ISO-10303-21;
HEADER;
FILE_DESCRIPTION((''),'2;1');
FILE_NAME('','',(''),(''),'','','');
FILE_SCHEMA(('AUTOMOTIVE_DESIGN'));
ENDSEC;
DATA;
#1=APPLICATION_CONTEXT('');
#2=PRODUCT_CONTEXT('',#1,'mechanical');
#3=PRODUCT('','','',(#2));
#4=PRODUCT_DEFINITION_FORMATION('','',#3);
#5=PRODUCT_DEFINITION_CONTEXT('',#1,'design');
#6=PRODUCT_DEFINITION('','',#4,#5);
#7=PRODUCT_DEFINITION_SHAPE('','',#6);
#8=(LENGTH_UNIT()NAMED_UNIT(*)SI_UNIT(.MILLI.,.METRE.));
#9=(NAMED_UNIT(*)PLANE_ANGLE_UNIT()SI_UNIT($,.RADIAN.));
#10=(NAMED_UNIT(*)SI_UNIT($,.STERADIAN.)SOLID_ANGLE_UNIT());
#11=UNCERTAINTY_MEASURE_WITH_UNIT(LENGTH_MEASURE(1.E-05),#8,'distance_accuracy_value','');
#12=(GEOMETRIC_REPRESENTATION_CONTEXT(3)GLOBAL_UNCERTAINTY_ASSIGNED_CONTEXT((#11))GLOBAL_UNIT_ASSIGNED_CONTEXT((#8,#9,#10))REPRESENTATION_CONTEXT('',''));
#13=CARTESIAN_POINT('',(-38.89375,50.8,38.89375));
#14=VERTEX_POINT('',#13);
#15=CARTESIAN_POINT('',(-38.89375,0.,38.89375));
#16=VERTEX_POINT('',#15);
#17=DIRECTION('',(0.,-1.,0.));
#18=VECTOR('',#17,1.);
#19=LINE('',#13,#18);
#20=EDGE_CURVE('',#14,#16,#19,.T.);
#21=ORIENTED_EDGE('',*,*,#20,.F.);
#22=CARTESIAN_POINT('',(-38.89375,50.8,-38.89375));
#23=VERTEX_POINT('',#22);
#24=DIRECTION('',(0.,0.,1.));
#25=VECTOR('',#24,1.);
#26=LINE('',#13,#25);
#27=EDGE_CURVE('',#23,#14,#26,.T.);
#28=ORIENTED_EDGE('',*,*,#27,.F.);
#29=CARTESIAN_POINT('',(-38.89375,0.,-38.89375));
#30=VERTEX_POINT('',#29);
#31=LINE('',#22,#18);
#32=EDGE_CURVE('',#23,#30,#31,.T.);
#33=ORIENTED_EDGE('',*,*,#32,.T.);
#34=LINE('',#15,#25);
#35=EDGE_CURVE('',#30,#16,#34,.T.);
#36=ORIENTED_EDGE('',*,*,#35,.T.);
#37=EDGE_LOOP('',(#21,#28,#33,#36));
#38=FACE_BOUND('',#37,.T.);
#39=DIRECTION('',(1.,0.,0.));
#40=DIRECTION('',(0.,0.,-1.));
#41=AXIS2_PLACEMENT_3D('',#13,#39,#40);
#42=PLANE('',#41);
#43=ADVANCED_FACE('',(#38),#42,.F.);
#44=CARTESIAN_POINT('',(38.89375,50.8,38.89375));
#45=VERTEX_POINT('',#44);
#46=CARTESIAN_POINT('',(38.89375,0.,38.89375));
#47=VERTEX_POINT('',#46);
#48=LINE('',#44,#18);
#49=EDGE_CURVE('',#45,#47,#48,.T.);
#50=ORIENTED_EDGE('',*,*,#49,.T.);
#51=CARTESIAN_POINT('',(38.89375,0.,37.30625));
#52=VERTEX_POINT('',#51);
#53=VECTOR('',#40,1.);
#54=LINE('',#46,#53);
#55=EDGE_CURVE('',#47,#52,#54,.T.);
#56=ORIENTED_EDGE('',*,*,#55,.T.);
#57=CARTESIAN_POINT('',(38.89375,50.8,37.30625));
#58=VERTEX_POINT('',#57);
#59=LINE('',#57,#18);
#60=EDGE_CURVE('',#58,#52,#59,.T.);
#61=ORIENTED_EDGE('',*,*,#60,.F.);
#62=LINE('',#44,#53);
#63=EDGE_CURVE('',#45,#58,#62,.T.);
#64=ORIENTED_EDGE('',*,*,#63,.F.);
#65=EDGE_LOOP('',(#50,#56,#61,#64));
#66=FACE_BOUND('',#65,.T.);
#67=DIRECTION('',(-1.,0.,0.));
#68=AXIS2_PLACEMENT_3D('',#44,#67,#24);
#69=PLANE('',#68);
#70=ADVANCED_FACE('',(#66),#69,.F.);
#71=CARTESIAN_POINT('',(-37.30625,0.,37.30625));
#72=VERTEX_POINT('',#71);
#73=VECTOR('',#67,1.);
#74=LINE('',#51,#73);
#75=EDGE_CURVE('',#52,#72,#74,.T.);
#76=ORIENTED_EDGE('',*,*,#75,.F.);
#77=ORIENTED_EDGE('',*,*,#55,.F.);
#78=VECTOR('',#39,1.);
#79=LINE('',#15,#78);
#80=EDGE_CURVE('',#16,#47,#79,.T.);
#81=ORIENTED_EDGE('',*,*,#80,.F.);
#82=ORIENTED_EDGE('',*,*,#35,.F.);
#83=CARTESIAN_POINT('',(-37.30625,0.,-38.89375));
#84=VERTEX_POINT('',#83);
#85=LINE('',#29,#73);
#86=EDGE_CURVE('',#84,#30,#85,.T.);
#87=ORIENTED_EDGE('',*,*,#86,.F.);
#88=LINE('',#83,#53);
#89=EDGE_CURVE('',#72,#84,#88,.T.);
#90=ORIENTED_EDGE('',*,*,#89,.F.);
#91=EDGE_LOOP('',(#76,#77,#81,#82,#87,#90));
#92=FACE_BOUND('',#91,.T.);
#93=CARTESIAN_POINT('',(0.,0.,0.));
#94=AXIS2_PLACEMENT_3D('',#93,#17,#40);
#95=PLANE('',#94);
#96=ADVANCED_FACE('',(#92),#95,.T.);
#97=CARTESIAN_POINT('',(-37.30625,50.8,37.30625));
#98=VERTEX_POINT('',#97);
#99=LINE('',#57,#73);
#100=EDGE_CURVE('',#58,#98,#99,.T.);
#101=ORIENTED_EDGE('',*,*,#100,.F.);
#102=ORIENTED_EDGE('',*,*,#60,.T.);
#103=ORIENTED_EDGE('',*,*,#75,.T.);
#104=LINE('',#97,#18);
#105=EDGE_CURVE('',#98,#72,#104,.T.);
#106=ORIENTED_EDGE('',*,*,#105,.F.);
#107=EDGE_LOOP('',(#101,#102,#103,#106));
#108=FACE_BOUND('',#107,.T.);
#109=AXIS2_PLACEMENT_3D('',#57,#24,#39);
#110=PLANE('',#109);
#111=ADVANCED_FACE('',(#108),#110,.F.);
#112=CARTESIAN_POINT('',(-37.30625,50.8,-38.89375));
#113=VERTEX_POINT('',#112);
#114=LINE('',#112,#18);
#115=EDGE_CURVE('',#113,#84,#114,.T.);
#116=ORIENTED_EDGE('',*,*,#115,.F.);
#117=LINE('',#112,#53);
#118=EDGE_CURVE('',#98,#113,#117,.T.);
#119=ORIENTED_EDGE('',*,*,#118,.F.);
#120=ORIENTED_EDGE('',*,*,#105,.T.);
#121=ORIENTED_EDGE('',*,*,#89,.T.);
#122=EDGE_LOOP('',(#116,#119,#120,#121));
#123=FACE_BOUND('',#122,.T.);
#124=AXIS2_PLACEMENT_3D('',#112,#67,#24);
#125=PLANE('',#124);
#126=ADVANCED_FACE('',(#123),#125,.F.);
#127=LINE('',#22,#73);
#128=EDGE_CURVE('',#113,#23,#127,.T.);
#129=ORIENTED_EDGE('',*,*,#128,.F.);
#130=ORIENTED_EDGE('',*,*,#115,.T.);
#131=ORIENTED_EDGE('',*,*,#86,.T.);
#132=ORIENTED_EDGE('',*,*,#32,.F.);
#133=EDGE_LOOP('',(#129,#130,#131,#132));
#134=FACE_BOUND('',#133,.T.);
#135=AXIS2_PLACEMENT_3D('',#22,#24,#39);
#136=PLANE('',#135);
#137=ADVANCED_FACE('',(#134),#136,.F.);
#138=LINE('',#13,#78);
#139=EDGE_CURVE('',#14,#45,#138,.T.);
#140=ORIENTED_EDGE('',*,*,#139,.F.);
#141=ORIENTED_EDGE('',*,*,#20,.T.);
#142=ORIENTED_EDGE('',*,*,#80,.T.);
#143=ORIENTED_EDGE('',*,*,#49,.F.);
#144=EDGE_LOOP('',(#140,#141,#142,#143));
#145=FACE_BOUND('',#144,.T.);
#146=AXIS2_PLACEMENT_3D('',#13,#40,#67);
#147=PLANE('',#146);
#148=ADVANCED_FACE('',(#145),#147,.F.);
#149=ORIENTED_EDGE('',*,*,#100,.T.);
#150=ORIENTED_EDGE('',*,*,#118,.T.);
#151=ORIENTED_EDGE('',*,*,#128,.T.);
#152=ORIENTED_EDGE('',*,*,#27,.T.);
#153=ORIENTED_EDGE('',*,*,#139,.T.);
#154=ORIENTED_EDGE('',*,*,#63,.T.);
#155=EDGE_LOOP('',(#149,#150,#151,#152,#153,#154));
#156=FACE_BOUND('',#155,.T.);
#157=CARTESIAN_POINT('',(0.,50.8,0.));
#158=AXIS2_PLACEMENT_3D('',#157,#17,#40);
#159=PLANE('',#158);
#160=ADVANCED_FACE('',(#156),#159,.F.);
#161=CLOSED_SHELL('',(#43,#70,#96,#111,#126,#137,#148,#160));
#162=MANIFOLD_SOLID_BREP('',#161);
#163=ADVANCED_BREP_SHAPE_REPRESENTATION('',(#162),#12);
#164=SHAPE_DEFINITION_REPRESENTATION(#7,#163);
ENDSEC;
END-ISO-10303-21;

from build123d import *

# Parameters (mm, degrees)
BOSS_EXTRUDE1_DEPTH = 50.8


with BuildPart() as part:
    # Sketch1 → Boss-Extrude1 (new body)
    with BuildSketch(Plane(origin=(0, 0, 0), x_dir=(1, 0, 0), z_dir=(0, 1, 0))):
        Polygon((-38.89375, -38.89375), (38.89375, -38.89375), (38.89375, -37.30625), (-37.30625, -37.30625), (-37.30625, 38.89375), (-38.89375, 38.89375), align=None)
    extrude(amount=BOSS_EXTRUDE1_DEPTH)


solid = part.part
